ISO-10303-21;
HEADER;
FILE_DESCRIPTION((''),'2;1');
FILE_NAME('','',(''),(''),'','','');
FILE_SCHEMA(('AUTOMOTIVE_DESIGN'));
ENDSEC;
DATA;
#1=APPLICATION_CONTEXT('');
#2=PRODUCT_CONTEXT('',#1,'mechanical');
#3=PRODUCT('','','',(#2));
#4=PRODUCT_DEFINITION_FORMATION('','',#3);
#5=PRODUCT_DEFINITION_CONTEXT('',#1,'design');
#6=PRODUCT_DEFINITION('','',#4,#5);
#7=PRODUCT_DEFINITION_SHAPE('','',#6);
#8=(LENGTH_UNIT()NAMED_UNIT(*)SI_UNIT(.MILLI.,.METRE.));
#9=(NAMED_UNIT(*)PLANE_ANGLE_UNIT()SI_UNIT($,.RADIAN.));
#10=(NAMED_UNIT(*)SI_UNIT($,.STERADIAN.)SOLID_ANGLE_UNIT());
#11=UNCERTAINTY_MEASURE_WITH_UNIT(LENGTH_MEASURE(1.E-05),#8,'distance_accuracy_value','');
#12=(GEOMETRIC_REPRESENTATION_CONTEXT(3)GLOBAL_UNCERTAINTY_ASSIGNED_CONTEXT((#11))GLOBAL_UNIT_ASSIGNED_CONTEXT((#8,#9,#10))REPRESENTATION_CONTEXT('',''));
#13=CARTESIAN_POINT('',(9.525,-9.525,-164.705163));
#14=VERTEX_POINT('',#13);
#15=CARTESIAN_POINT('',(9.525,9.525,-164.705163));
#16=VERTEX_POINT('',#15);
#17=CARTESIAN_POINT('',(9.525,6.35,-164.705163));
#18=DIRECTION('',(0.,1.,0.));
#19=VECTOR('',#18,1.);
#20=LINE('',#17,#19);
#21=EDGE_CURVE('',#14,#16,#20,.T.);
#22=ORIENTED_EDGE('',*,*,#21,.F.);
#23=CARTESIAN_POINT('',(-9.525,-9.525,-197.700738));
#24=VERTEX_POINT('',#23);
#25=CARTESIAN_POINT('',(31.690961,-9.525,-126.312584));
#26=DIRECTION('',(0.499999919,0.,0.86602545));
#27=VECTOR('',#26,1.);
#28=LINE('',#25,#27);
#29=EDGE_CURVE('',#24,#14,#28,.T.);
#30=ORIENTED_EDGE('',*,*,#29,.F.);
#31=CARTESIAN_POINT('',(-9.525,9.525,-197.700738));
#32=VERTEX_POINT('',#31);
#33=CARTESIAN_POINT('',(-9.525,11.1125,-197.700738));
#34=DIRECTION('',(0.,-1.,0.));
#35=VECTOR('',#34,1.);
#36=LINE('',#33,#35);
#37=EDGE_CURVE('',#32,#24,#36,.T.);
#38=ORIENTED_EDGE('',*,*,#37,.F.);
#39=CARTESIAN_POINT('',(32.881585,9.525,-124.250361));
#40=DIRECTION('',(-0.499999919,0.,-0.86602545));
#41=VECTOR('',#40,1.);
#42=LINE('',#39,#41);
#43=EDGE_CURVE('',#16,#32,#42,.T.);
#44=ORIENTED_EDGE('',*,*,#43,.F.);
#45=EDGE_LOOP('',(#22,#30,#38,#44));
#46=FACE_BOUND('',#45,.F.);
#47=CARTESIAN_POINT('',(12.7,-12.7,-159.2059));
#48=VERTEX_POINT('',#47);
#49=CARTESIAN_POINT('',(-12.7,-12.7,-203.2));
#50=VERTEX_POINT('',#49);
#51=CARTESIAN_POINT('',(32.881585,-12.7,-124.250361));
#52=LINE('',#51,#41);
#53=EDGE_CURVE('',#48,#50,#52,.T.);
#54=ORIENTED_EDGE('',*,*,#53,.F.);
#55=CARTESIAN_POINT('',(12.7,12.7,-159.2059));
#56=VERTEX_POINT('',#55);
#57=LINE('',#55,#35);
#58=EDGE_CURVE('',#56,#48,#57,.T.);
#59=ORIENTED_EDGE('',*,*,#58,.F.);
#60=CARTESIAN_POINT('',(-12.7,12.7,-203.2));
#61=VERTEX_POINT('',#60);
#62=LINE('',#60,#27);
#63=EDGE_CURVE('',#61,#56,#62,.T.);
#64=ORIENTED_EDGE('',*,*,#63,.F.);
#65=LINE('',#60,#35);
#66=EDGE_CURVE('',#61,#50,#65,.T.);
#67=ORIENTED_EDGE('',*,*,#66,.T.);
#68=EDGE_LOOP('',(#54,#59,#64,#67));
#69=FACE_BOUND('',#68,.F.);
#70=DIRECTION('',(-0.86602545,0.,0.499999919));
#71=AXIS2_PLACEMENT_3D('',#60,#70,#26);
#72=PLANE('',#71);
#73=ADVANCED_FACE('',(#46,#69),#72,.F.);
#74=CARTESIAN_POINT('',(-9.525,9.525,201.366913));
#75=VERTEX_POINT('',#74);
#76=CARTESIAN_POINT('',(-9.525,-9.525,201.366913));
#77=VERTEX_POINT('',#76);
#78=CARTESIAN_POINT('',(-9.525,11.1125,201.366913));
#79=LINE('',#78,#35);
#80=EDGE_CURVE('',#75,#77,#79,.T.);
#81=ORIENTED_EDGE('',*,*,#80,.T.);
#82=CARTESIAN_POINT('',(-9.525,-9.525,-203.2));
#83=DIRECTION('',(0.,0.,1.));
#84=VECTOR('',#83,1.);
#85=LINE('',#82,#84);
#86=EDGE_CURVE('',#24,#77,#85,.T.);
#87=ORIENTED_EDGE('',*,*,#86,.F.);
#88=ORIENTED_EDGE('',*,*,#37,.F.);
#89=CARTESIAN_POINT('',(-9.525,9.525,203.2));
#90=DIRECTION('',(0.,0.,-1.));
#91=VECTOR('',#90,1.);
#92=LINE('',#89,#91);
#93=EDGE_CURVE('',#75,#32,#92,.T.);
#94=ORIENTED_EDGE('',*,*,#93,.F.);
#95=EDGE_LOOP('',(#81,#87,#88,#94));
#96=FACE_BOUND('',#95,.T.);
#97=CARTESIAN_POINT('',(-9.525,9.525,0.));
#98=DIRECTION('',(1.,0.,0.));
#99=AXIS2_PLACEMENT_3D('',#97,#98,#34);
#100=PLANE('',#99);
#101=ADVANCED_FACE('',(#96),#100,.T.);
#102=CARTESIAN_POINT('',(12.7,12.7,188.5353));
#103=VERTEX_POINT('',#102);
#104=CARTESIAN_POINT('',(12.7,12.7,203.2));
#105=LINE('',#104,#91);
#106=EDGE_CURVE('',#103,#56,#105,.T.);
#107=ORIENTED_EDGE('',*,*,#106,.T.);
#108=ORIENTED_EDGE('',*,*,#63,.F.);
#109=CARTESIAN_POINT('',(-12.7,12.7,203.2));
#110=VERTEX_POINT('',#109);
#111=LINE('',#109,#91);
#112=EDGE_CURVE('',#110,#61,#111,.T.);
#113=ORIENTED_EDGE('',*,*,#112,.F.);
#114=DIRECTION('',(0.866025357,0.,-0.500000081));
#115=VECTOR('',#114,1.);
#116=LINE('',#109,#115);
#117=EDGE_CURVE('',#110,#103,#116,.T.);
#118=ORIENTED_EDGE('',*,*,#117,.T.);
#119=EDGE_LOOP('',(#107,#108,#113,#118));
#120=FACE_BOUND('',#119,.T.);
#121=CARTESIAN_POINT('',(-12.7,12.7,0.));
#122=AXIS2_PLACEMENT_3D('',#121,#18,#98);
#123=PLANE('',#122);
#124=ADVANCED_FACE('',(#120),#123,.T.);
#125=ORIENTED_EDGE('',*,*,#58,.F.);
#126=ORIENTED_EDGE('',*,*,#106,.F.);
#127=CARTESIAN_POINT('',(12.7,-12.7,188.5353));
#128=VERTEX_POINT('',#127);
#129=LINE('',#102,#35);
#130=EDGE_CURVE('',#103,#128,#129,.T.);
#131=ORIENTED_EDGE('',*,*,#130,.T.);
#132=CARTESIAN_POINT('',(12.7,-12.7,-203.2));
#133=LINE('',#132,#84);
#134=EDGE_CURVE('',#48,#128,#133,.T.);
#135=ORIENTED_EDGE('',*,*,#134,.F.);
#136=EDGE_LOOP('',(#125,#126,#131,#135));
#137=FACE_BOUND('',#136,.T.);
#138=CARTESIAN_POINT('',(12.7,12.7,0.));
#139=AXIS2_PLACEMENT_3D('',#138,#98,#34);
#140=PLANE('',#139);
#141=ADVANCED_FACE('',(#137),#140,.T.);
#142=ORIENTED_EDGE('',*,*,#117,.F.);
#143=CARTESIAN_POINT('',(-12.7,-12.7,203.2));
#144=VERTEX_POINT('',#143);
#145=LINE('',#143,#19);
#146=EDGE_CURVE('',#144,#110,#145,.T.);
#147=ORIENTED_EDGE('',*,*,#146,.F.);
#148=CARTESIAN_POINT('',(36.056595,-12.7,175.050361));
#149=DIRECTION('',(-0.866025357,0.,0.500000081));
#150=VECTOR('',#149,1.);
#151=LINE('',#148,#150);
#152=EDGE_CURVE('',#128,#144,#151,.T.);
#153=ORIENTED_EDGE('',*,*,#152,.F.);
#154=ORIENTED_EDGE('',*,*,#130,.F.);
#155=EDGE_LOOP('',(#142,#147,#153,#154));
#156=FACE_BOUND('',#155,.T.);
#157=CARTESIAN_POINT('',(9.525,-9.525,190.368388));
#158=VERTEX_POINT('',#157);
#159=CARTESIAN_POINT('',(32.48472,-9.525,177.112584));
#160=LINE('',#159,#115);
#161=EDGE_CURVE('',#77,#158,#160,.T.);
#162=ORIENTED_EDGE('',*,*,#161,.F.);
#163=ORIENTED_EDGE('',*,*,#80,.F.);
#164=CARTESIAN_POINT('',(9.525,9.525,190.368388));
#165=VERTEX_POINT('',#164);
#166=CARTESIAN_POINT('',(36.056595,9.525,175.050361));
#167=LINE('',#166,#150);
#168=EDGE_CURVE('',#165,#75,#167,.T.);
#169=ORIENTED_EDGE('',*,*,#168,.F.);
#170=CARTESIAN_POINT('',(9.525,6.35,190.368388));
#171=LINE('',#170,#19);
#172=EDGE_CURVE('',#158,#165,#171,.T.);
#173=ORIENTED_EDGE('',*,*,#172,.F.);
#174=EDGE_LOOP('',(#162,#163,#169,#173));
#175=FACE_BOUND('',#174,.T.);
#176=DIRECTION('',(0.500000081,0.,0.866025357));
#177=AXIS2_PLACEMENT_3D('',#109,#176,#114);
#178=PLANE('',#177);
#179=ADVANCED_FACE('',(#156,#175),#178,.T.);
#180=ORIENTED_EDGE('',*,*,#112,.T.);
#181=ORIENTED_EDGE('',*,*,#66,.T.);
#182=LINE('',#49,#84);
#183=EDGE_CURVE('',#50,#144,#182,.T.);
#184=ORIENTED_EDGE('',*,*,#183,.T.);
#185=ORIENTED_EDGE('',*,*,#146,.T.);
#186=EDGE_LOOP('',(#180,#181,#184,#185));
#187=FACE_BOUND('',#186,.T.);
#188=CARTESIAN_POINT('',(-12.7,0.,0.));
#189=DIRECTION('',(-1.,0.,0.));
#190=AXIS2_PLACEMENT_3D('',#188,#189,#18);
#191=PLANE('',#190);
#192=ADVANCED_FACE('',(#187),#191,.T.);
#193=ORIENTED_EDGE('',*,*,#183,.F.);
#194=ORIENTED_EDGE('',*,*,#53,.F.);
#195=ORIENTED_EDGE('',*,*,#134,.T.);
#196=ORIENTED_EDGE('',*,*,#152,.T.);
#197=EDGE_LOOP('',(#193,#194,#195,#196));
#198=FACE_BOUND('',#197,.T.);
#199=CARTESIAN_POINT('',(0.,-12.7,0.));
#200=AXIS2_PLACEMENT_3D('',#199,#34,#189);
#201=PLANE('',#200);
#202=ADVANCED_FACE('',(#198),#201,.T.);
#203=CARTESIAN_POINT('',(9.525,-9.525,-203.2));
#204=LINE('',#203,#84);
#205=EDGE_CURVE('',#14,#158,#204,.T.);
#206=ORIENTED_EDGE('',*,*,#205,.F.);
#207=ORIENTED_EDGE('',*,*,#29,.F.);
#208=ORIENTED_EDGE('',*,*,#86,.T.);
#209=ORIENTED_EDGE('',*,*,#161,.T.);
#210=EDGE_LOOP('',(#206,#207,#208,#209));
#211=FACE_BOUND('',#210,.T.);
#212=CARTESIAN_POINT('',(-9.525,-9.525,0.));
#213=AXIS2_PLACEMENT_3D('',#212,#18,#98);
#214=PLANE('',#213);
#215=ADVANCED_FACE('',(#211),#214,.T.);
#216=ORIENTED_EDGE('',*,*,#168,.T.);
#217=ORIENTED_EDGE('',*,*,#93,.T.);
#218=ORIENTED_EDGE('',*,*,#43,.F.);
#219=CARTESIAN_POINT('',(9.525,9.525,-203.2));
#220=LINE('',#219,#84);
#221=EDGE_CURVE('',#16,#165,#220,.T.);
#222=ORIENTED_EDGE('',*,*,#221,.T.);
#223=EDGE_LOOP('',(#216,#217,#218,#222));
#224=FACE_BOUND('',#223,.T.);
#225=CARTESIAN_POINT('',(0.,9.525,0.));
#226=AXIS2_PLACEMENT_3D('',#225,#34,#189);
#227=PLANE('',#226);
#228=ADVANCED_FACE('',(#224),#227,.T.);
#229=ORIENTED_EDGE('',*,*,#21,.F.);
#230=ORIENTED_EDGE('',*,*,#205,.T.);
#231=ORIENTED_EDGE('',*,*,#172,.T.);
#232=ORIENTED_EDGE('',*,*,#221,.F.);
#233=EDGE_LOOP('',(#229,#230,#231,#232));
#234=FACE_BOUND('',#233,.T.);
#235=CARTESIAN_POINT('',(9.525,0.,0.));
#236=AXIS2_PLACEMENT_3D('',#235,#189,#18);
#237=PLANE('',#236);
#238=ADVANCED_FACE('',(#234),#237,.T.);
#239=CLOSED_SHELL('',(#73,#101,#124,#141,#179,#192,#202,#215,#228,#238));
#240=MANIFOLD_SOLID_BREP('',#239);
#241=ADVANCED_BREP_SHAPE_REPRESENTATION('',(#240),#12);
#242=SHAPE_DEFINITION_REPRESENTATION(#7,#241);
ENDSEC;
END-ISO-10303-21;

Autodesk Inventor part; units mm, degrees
ref_plane "YZ Plane" through (0, 0, 0) normal (1, 0, 0) x (0, 1, 0)
ref_plane "XZ Plane" through (0, 0, 0) normal (0, 1, 0) x (-1, 0, 0)
ref_plane "XY Plane" through (0, 0, 0) normal (0, 0, 1) x (1, 0, 0)
sketch "Sketch1" plane through (0, 0, 0) normal (0, 0, 1) x (1, 0, 0)
  line L0 (-17.78, 0) -> (17.78, 0) projected
  line L1 (0, -17.78) -> (0, 17.78) projected
  line L2 (-12.7, 12.7) -> (12.7, 12.7)
  line L3 (12.7, 12.7) -> (12.7, -12.7)
  line L4 (12.7, -12.7) -> (-12.7, -12.7)
  line L5 (-12.7, -12.7) -> (-12.7, 12.7)
  line L6 (9.525, 9.525) -> (-9.525, 9.525)
  line L7 (-9.525, 9.525) -> (-9.525, -9.525)
  line L8 (-9.525, -9.525) -> (9.525, -9.525)
  line L9 (9.525, -9.525) -> (9.525, 9.525)
  point P0 (0, 0)
  point P1 (-12.7, 0)
  point P2 (0, 12.7)
  dimension "d0" = 25.4
  dimension "d1" = 3.175
extrude "Extrusion1" add sketch "Sketch1" along normal mid plane 406.4 contours L5 L2 L1 L6 L7 L0 | L0 L7 L8 L1 L4 L5 | L1 L8 L9 L0 L3 L4 | L2 L3 L0 L9 L6 L1
sketch "Sketch3" plane through (-12.7, 12.7, 203.2) normal (0, 1, 0) x (1, 0, 0)
  line L0 (0, 0) -> (25.4, 0) projected
  line L1 (25.4, 0) -> (25.4, 406.4) projected
  line L2 (25.4, 406.4) -> (0, 406.4) projected
  line L3 (0, 406.4) -> (0, 0) projected
  line L4 (0, 203.2) -> (25.4, 203.2) construction
  line L5 (0, 0) -> (25.4, 14.6647)
  line L6 (0, 406.4) -> (25.4, 391.7353)
  line L7 (0, 406.4) -> (25.4, 406.4)
  line L8 (25.4, 391.7353) -> (25.4, 406.4)
  point P0 (12.7, 203.2)
  dimension "d7" = 30
extrude "Extrusion3" cut sketch "Sketch3" against normal through all contours L5 L1 L0
sketch "Sketch4" plane through (-12.7, 12.7, -203.2) normal (0, 1, 0) x (1, 0, 0)
  line L0 (25.4, -391.7353) -> (25.4, 0) projected
  line L1 (25.4, 0) -> (0, 0) projected
  line L2 (0, 0) -> (25.4, -43.9941)
  point P0 (12.7, -203.2)
  dimension "d10" = 60
extrude "Extrusion4" cut sketch "Sketch4" against normal through all
properties part number "tubing_template_0.125" material "Aluminum-6061"
